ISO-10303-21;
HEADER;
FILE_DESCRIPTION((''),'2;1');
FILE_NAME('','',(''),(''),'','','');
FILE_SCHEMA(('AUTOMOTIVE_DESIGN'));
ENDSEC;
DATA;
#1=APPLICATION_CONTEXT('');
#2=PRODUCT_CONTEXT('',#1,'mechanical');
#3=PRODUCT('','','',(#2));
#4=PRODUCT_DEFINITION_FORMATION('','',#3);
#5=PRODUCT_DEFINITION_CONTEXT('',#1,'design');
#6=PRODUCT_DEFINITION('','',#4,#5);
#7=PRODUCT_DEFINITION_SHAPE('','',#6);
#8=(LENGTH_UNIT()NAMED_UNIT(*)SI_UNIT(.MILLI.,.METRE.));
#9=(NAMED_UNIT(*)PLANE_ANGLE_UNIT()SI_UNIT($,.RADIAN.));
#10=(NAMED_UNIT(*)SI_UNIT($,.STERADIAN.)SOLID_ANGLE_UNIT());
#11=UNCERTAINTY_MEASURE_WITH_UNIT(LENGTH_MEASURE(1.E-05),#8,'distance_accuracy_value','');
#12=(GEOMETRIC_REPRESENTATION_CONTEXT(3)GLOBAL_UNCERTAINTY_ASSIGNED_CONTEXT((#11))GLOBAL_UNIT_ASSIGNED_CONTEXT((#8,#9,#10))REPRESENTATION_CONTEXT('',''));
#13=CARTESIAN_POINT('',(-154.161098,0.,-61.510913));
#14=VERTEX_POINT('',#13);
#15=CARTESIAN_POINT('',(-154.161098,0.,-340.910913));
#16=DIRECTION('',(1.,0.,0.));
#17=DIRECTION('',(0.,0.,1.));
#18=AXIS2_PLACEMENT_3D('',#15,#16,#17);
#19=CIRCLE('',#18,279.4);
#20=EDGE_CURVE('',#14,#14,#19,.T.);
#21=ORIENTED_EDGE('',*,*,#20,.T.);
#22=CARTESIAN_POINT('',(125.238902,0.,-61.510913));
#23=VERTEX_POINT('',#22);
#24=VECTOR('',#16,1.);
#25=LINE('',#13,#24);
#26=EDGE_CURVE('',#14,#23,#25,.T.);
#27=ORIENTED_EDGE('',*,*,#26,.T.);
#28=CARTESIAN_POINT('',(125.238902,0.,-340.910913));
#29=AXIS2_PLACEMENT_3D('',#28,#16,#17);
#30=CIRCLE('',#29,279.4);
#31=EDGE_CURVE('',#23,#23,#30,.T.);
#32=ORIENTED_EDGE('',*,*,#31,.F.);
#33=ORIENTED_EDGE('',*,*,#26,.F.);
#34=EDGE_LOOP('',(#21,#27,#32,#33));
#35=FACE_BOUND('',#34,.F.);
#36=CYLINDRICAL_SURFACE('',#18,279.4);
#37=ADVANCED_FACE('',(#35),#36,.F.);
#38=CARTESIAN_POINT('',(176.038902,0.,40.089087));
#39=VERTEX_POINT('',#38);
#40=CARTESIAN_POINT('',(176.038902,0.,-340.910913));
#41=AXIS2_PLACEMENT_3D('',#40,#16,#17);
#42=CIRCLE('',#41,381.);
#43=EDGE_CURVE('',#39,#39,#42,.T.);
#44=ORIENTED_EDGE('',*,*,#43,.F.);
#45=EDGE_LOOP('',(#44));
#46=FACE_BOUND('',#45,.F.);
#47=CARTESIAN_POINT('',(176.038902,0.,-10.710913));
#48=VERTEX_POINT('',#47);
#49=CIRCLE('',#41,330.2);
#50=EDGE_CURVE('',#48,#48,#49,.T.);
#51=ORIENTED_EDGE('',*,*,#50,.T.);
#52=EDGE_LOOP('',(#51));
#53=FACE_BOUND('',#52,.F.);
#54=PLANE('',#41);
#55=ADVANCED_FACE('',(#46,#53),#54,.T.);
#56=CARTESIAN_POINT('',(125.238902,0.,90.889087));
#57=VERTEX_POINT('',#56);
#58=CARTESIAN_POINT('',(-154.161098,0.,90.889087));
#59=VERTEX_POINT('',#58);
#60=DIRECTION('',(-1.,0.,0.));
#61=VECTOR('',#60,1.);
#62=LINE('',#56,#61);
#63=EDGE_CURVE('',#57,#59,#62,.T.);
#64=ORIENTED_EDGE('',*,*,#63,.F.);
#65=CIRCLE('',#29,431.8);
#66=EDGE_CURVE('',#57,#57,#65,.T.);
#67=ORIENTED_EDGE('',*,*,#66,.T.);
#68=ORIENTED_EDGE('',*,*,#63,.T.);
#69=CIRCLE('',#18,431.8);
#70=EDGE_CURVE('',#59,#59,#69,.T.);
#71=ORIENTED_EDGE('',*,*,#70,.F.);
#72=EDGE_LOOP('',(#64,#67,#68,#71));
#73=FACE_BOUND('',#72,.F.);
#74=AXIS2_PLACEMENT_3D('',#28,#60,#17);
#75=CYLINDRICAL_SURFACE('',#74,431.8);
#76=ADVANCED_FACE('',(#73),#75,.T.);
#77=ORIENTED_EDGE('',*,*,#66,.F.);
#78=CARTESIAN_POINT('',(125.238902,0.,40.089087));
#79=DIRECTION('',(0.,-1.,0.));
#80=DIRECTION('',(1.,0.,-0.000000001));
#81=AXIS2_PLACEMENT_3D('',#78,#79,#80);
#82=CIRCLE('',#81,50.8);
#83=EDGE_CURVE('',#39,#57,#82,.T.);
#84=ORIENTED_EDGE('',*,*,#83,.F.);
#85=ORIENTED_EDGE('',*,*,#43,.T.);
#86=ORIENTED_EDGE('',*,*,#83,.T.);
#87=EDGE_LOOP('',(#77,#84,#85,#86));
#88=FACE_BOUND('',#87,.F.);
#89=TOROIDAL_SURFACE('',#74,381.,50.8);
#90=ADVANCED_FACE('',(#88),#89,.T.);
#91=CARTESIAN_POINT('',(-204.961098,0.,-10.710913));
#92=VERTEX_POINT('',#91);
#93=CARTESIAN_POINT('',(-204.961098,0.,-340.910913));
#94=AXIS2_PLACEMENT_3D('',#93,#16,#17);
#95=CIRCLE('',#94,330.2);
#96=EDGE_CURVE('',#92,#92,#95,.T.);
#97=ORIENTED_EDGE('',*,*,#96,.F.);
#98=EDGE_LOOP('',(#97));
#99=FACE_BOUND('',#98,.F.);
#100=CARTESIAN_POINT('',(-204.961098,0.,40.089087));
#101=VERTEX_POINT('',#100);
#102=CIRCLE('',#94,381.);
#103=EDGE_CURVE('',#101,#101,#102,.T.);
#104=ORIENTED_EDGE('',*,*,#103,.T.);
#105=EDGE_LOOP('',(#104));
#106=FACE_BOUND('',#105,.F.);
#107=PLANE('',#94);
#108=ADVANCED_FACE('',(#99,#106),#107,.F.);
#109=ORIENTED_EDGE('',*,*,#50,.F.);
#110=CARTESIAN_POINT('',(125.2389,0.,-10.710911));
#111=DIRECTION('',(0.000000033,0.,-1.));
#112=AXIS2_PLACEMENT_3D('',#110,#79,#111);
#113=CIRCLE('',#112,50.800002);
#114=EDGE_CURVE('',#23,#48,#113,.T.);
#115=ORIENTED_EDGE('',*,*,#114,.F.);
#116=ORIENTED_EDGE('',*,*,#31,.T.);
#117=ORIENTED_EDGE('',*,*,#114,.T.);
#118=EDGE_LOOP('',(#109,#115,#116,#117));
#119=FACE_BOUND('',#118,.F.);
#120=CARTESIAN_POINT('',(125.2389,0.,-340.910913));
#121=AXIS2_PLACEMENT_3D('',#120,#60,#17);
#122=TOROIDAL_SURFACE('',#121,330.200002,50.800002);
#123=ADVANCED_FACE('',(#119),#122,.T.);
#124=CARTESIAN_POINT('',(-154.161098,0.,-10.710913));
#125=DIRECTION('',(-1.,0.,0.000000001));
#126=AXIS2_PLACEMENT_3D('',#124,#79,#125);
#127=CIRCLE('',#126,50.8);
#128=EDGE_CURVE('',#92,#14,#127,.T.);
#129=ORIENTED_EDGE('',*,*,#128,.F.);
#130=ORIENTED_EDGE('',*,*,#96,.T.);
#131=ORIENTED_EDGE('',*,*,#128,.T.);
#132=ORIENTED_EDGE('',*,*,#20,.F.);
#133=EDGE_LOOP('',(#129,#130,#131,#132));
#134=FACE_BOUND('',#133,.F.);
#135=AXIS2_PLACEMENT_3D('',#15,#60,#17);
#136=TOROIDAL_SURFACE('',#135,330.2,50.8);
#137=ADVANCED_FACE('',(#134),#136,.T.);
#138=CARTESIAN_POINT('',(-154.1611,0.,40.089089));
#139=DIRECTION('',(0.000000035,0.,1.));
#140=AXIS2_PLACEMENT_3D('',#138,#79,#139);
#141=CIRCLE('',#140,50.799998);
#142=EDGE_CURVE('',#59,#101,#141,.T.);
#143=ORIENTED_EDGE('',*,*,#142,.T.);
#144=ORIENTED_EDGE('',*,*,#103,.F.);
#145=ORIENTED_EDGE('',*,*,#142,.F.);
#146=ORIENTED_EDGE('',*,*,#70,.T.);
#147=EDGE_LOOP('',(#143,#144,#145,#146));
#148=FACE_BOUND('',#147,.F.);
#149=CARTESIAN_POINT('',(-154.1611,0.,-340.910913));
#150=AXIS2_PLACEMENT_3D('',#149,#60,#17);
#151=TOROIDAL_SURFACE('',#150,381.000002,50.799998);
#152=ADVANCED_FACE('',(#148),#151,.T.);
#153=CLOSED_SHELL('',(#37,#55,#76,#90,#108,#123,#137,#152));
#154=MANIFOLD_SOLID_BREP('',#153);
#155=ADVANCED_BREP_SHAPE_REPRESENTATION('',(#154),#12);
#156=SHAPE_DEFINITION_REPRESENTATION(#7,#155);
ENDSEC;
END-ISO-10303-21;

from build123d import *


with BuildPart() as f1:
    # F0 (on Front) → F1 (revolve)
    with BuildSketch(Plane.XZ):
        with BuildLine():
            Line((125.238902, 90.889087), (-154.161098, 90.889087))
            ThreePointArc((-154.161098, 90.889087), (-190.082123, 76.010112), (-204.961098, 40.089087))
            Line((-204.961098, 40.089087), (-204.961098, -10.710913))
            ThreePointArc((-204.961098, -10.710913), (-190.082123, -46.631937), (-154.161098, -61.510913))
            Line((-154.161098, -61.510913), (125.238902, -61.510913))
            ThreePointArc((125.238902, -61.510913), (161.159926, -46.631937), (176.038902, -10.710913))
            Line((176.038902, -10.710913), (176.038902, 40.089087))
            ThreePointArc((176.038902, 40.089087), (161.159926, 76.010112), (125.238902, 90.889087))
        make_face()
    revolve(axis=Axis((-38.110964, 0, -340.910913), (1, 0, 0)))


solid = f1.part
